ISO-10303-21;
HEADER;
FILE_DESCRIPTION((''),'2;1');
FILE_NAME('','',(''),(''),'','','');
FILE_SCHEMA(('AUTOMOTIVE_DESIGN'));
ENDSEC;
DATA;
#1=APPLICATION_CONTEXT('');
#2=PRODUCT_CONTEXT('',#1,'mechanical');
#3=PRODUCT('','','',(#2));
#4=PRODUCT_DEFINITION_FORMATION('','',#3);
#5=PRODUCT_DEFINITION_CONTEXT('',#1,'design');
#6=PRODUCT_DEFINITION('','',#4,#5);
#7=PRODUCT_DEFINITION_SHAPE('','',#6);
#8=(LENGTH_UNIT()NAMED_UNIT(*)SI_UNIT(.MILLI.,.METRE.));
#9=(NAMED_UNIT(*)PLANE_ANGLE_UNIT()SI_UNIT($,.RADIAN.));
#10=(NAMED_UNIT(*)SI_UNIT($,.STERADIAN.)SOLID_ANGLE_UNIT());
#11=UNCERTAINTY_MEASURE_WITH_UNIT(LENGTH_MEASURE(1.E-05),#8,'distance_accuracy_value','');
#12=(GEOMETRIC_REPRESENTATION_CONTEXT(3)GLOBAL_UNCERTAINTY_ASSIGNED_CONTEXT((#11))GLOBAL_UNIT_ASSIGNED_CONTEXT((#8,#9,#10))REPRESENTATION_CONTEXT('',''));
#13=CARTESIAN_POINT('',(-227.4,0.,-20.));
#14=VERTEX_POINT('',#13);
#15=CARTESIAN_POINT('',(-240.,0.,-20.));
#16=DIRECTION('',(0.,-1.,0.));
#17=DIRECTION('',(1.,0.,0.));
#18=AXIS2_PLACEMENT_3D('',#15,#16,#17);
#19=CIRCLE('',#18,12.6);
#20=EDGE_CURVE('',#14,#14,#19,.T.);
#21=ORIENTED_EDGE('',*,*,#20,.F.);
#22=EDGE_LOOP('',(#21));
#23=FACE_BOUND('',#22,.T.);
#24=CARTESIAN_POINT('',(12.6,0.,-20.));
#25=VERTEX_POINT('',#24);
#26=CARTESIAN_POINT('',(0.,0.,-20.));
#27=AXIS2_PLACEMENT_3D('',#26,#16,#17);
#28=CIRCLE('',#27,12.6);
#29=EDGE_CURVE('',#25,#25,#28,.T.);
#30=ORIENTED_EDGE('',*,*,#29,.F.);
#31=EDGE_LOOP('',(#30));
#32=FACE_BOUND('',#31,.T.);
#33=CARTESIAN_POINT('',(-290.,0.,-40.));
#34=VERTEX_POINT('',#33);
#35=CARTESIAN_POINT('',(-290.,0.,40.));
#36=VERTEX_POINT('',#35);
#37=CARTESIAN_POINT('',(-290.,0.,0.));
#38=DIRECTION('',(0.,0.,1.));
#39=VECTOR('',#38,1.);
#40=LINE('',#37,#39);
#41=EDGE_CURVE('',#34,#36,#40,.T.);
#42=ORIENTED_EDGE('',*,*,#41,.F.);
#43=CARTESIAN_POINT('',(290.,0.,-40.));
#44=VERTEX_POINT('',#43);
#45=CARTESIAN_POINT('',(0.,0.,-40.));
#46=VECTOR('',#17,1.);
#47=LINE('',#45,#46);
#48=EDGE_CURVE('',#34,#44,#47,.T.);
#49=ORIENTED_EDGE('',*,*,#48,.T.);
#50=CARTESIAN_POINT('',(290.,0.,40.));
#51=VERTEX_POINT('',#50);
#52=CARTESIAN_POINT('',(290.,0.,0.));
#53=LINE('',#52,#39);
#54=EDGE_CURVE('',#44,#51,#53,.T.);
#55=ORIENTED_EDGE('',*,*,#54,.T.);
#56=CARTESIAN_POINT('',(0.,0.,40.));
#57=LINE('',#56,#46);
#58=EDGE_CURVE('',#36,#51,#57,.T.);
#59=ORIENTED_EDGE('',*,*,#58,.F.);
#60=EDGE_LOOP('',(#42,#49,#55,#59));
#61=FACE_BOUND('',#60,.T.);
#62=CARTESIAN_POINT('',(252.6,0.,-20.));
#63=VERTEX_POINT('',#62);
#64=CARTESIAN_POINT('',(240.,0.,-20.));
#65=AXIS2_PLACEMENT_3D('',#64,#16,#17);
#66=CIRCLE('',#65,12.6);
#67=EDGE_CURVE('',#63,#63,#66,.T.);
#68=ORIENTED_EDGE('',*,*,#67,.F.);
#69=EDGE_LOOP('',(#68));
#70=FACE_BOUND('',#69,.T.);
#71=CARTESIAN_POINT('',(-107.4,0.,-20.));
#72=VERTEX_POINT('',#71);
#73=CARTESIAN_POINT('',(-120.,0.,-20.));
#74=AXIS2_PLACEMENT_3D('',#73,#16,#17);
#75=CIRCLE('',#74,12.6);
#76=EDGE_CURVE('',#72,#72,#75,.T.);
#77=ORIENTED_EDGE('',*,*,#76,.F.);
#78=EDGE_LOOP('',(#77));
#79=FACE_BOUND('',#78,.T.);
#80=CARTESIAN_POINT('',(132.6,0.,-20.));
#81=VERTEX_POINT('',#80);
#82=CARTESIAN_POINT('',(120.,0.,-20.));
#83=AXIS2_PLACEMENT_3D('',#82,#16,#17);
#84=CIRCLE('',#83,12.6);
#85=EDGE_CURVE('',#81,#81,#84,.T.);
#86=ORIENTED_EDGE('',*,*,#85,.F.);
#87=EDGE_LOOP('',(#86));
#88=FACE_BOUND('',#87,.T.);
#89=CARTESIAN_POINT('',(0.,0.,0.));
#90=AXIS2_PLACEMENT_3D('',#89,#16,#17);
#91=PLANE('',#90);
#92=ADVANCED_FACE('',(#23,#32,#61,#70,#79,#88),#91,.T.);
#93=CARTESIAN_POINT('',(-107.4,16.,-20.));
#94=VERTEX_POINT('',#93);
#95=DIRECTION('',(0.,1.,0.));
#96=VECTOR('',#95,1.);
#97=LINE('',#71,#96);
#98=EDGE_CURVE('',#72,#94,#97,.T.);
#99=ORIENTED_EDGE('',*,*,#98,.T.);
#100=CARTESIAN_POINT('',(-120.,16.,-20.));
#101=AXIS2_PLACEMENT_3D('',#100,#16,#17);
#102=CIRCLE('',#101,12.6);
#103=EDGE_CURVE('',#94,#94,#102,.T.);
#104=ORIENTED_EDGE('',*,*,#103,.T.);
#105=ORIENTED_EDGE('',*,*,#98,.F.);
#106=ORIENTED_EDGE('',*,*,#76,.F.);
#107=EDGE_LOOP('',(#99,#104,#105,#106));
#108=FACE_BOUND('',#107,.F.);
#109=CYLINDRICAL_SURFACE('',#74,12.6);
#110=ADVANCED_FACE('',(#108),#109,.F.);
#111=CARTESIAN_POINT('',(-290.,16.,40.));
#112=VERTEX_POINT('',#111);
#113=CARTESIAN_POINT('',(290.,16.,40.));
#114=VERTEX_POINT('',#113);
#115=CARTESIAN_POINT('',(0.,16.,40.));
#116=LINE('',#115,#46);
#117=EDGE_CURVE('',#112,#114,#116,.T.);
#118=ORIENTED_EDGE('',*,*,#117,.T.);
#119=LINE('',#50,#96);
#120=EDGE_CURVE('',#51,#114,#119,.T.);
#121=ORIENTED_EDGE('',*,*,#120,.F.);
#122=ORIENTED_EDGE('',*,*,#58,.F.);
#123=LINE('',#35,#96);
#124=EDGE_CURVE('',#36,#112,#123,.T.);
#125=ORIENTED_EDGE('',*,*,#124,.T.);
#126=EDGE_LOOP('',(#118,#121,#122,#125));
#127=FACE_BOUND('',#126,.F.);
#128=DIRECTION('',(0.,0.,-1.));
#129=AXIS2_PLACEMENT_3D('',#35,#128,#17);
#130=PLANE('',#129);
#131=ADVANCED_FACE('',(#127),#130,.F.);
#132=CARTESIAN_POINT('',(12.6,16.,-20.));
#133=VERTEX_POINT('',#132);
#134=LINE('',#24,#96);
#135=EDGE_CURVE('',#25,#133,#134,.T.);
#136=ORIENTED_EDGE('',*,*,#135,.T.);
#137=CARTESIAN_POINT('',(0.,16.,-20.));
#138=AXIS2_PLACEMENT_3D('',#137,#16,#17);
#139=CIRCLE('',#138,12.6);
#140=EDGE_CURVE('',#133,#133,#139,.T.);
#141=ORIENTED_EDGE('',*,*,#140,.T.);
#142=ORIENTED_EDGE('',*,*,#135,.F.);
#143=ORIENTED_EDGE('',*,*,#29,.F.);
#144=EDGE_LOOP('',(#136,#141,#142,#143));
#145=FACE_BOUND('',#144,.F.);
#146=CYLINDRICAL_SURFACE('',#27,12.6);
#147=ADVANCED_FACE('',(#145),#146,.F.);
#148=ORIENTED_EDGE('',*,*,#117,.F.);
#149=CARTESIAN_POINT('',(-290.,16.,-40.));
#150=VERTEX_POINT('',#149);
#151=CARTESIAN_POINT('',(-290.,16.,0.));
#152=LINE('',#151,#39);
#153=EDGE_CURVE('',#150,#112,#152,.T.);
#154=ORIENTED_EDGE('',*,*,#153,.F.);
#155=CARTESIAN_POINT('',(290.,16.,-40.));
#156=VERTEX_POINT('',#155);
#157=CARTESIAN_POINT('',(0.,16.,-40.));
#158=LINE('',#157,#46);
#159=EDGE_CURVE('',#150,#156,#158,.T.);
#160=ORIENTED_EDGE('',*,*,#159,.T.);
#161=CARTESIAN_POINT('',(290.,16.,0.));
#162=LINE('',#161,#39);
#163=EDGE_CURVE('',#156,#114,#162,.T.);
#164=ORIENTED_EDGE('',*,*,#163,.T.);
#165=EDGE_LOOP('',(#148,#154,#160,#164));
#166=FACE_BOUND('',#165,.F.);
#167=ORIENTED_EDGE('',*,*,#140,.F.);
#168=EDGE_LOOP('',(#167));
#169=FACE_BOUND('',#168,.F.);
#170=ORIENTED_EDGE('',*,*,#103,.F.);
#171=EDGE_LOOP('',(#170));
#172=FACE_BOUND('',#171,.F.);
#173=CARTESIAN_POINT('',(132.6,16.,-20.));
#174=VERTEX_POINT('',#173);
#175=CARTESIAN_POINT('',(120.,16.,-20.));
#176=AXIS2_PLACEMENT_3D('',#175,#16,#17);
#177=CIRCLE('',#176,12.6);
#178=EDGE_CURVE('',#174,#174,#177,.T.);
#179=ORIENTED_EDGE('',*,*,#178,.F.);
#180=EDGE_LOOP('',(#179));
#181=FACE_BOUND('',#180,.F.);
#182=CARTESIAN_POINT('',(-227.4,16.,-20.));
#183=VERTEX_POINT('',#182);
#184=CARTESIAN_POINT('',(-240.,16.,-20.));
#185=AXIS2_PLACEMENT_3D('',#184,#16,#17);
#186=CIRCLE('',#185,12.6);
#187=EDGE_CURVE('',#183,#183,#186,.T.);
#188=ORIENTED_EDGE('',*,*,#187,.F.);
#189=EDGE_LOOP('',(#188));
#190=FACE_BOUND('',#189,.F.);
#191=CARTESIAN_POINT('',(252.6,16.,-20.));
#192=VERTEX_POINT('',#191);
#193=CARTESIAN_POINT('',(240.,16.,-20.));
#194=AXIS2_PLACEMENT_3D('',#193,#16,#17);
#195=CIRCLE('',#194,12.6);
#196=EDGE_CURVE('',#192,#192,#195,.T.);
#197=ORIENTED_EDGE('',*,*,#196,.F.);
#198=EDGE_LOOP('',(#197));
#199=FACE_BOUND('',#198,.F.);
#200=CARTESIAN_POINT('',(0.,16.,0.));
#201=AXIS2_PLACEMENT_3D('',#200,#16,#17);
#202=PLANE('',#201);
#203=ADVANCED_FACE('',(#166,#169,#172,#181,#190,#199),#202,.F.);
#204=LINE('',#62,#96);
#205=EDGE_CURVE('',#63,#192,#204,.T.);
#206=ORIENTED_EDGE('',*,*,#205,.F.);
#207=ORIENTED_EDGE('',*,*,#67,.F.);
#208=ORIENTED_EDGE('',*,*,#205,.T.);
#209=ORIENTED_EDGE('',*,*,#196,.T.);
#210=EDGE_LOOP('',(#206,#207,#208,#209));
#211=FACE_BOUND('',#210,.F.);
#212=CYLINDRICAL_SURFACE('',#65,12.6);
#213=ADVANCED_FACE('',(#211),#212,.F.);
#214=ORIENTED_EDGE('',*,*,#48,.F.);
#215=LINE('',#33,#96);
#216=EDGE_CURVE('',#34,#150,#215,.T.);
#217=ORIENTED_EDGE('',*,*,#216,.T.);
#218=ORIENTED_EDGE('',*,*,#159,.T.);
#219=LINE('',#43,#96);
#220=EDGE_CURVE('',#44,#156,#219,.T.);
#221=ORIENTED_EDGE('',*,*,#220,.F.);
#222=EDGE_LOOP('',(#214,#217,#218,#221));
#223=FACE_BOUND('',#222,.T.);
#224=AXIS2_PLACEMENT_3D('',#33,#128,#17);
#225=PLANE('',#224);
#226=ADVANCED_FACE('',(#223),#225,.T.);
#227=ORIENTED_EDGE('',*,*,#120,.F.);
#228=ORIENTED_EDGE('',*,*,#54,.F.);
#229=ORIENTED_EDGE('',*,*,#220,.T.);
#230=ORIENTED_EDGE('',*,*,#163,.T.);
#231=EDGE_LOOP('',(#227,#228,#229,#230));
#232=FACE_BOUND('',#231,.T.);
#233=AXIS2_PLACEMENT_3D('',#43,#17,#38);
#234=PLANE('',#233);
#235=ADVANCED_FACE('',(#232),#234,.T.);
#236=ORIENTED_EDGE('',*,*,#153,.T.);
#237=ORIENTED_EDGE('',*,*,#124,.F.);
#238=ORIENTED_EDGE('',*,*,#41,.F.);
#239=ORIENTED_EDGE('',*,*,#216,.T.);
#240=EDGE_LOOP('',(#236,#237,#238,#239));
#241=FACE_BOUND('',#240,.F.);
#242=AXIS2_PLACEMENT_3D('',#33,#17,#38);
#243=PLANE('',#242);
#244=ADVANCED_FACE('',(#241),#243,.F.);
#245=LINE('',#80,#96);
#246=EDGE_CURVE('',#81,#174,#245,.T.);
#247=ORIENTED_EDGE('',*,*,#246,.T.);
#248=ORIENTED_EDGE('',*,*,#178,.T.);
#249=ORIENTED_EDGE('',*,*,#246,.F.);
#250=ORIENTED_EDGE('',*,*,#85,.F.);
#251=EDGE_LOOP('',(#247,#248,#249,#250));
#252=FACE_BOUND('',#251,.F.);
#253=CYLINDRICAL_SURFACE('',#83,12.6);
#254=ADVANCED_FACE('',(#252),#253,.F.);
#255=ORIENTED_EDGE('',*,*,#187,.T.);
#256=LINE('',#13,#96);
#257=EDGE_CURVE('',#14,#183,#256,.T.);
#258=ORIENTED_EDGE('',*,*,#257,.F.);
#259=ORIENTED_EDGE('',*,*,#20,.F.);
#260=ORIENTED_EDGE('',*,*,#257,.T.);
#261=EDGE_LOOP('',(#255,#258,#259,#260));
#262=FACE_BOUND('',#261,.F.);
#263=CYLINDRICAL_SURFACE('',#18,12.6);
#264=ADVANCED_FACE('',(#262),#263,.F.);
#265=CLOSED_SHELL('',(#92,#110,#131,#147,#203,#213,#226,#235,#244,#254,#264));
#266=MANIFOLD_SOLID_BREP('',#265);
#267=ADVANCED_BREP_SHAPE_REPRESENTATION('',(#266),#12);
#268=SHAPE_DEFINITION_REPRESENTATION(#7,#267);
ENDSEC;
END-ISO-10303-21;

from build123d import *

# Parameters (mm, degrees)
F0_W     = 580
F0_H     = 80
F0_R     = 12.6
F1_DEPTH = 16


with BuildPart() as f1:
    # F0 (on Front) → F1 (new body)
    with BuildSketch(Plane.XZ):
        Rectangle(F0_W, F0_H)
        with Locations((-240, -20)):
            Circle(F0_R, mode=Mode.SUBTRACT)
        with Locations((-120, -20)):
            Circle(F0_R, mode=Mode.SUBTRACT)
        with Locations((0, -20)):
            Circle(F0_R, mode=Mode.SUBTRACT)
        with Locations((120, -20)):
            Circle(F0_R, mode=Mode.SUBTRACT)
        with Locations((240, -20)):
            Circle(F0_R, mode=Mode.SUBTRACT)
    extrude(amount=-F1_DEPTH)


solid = f1.part
